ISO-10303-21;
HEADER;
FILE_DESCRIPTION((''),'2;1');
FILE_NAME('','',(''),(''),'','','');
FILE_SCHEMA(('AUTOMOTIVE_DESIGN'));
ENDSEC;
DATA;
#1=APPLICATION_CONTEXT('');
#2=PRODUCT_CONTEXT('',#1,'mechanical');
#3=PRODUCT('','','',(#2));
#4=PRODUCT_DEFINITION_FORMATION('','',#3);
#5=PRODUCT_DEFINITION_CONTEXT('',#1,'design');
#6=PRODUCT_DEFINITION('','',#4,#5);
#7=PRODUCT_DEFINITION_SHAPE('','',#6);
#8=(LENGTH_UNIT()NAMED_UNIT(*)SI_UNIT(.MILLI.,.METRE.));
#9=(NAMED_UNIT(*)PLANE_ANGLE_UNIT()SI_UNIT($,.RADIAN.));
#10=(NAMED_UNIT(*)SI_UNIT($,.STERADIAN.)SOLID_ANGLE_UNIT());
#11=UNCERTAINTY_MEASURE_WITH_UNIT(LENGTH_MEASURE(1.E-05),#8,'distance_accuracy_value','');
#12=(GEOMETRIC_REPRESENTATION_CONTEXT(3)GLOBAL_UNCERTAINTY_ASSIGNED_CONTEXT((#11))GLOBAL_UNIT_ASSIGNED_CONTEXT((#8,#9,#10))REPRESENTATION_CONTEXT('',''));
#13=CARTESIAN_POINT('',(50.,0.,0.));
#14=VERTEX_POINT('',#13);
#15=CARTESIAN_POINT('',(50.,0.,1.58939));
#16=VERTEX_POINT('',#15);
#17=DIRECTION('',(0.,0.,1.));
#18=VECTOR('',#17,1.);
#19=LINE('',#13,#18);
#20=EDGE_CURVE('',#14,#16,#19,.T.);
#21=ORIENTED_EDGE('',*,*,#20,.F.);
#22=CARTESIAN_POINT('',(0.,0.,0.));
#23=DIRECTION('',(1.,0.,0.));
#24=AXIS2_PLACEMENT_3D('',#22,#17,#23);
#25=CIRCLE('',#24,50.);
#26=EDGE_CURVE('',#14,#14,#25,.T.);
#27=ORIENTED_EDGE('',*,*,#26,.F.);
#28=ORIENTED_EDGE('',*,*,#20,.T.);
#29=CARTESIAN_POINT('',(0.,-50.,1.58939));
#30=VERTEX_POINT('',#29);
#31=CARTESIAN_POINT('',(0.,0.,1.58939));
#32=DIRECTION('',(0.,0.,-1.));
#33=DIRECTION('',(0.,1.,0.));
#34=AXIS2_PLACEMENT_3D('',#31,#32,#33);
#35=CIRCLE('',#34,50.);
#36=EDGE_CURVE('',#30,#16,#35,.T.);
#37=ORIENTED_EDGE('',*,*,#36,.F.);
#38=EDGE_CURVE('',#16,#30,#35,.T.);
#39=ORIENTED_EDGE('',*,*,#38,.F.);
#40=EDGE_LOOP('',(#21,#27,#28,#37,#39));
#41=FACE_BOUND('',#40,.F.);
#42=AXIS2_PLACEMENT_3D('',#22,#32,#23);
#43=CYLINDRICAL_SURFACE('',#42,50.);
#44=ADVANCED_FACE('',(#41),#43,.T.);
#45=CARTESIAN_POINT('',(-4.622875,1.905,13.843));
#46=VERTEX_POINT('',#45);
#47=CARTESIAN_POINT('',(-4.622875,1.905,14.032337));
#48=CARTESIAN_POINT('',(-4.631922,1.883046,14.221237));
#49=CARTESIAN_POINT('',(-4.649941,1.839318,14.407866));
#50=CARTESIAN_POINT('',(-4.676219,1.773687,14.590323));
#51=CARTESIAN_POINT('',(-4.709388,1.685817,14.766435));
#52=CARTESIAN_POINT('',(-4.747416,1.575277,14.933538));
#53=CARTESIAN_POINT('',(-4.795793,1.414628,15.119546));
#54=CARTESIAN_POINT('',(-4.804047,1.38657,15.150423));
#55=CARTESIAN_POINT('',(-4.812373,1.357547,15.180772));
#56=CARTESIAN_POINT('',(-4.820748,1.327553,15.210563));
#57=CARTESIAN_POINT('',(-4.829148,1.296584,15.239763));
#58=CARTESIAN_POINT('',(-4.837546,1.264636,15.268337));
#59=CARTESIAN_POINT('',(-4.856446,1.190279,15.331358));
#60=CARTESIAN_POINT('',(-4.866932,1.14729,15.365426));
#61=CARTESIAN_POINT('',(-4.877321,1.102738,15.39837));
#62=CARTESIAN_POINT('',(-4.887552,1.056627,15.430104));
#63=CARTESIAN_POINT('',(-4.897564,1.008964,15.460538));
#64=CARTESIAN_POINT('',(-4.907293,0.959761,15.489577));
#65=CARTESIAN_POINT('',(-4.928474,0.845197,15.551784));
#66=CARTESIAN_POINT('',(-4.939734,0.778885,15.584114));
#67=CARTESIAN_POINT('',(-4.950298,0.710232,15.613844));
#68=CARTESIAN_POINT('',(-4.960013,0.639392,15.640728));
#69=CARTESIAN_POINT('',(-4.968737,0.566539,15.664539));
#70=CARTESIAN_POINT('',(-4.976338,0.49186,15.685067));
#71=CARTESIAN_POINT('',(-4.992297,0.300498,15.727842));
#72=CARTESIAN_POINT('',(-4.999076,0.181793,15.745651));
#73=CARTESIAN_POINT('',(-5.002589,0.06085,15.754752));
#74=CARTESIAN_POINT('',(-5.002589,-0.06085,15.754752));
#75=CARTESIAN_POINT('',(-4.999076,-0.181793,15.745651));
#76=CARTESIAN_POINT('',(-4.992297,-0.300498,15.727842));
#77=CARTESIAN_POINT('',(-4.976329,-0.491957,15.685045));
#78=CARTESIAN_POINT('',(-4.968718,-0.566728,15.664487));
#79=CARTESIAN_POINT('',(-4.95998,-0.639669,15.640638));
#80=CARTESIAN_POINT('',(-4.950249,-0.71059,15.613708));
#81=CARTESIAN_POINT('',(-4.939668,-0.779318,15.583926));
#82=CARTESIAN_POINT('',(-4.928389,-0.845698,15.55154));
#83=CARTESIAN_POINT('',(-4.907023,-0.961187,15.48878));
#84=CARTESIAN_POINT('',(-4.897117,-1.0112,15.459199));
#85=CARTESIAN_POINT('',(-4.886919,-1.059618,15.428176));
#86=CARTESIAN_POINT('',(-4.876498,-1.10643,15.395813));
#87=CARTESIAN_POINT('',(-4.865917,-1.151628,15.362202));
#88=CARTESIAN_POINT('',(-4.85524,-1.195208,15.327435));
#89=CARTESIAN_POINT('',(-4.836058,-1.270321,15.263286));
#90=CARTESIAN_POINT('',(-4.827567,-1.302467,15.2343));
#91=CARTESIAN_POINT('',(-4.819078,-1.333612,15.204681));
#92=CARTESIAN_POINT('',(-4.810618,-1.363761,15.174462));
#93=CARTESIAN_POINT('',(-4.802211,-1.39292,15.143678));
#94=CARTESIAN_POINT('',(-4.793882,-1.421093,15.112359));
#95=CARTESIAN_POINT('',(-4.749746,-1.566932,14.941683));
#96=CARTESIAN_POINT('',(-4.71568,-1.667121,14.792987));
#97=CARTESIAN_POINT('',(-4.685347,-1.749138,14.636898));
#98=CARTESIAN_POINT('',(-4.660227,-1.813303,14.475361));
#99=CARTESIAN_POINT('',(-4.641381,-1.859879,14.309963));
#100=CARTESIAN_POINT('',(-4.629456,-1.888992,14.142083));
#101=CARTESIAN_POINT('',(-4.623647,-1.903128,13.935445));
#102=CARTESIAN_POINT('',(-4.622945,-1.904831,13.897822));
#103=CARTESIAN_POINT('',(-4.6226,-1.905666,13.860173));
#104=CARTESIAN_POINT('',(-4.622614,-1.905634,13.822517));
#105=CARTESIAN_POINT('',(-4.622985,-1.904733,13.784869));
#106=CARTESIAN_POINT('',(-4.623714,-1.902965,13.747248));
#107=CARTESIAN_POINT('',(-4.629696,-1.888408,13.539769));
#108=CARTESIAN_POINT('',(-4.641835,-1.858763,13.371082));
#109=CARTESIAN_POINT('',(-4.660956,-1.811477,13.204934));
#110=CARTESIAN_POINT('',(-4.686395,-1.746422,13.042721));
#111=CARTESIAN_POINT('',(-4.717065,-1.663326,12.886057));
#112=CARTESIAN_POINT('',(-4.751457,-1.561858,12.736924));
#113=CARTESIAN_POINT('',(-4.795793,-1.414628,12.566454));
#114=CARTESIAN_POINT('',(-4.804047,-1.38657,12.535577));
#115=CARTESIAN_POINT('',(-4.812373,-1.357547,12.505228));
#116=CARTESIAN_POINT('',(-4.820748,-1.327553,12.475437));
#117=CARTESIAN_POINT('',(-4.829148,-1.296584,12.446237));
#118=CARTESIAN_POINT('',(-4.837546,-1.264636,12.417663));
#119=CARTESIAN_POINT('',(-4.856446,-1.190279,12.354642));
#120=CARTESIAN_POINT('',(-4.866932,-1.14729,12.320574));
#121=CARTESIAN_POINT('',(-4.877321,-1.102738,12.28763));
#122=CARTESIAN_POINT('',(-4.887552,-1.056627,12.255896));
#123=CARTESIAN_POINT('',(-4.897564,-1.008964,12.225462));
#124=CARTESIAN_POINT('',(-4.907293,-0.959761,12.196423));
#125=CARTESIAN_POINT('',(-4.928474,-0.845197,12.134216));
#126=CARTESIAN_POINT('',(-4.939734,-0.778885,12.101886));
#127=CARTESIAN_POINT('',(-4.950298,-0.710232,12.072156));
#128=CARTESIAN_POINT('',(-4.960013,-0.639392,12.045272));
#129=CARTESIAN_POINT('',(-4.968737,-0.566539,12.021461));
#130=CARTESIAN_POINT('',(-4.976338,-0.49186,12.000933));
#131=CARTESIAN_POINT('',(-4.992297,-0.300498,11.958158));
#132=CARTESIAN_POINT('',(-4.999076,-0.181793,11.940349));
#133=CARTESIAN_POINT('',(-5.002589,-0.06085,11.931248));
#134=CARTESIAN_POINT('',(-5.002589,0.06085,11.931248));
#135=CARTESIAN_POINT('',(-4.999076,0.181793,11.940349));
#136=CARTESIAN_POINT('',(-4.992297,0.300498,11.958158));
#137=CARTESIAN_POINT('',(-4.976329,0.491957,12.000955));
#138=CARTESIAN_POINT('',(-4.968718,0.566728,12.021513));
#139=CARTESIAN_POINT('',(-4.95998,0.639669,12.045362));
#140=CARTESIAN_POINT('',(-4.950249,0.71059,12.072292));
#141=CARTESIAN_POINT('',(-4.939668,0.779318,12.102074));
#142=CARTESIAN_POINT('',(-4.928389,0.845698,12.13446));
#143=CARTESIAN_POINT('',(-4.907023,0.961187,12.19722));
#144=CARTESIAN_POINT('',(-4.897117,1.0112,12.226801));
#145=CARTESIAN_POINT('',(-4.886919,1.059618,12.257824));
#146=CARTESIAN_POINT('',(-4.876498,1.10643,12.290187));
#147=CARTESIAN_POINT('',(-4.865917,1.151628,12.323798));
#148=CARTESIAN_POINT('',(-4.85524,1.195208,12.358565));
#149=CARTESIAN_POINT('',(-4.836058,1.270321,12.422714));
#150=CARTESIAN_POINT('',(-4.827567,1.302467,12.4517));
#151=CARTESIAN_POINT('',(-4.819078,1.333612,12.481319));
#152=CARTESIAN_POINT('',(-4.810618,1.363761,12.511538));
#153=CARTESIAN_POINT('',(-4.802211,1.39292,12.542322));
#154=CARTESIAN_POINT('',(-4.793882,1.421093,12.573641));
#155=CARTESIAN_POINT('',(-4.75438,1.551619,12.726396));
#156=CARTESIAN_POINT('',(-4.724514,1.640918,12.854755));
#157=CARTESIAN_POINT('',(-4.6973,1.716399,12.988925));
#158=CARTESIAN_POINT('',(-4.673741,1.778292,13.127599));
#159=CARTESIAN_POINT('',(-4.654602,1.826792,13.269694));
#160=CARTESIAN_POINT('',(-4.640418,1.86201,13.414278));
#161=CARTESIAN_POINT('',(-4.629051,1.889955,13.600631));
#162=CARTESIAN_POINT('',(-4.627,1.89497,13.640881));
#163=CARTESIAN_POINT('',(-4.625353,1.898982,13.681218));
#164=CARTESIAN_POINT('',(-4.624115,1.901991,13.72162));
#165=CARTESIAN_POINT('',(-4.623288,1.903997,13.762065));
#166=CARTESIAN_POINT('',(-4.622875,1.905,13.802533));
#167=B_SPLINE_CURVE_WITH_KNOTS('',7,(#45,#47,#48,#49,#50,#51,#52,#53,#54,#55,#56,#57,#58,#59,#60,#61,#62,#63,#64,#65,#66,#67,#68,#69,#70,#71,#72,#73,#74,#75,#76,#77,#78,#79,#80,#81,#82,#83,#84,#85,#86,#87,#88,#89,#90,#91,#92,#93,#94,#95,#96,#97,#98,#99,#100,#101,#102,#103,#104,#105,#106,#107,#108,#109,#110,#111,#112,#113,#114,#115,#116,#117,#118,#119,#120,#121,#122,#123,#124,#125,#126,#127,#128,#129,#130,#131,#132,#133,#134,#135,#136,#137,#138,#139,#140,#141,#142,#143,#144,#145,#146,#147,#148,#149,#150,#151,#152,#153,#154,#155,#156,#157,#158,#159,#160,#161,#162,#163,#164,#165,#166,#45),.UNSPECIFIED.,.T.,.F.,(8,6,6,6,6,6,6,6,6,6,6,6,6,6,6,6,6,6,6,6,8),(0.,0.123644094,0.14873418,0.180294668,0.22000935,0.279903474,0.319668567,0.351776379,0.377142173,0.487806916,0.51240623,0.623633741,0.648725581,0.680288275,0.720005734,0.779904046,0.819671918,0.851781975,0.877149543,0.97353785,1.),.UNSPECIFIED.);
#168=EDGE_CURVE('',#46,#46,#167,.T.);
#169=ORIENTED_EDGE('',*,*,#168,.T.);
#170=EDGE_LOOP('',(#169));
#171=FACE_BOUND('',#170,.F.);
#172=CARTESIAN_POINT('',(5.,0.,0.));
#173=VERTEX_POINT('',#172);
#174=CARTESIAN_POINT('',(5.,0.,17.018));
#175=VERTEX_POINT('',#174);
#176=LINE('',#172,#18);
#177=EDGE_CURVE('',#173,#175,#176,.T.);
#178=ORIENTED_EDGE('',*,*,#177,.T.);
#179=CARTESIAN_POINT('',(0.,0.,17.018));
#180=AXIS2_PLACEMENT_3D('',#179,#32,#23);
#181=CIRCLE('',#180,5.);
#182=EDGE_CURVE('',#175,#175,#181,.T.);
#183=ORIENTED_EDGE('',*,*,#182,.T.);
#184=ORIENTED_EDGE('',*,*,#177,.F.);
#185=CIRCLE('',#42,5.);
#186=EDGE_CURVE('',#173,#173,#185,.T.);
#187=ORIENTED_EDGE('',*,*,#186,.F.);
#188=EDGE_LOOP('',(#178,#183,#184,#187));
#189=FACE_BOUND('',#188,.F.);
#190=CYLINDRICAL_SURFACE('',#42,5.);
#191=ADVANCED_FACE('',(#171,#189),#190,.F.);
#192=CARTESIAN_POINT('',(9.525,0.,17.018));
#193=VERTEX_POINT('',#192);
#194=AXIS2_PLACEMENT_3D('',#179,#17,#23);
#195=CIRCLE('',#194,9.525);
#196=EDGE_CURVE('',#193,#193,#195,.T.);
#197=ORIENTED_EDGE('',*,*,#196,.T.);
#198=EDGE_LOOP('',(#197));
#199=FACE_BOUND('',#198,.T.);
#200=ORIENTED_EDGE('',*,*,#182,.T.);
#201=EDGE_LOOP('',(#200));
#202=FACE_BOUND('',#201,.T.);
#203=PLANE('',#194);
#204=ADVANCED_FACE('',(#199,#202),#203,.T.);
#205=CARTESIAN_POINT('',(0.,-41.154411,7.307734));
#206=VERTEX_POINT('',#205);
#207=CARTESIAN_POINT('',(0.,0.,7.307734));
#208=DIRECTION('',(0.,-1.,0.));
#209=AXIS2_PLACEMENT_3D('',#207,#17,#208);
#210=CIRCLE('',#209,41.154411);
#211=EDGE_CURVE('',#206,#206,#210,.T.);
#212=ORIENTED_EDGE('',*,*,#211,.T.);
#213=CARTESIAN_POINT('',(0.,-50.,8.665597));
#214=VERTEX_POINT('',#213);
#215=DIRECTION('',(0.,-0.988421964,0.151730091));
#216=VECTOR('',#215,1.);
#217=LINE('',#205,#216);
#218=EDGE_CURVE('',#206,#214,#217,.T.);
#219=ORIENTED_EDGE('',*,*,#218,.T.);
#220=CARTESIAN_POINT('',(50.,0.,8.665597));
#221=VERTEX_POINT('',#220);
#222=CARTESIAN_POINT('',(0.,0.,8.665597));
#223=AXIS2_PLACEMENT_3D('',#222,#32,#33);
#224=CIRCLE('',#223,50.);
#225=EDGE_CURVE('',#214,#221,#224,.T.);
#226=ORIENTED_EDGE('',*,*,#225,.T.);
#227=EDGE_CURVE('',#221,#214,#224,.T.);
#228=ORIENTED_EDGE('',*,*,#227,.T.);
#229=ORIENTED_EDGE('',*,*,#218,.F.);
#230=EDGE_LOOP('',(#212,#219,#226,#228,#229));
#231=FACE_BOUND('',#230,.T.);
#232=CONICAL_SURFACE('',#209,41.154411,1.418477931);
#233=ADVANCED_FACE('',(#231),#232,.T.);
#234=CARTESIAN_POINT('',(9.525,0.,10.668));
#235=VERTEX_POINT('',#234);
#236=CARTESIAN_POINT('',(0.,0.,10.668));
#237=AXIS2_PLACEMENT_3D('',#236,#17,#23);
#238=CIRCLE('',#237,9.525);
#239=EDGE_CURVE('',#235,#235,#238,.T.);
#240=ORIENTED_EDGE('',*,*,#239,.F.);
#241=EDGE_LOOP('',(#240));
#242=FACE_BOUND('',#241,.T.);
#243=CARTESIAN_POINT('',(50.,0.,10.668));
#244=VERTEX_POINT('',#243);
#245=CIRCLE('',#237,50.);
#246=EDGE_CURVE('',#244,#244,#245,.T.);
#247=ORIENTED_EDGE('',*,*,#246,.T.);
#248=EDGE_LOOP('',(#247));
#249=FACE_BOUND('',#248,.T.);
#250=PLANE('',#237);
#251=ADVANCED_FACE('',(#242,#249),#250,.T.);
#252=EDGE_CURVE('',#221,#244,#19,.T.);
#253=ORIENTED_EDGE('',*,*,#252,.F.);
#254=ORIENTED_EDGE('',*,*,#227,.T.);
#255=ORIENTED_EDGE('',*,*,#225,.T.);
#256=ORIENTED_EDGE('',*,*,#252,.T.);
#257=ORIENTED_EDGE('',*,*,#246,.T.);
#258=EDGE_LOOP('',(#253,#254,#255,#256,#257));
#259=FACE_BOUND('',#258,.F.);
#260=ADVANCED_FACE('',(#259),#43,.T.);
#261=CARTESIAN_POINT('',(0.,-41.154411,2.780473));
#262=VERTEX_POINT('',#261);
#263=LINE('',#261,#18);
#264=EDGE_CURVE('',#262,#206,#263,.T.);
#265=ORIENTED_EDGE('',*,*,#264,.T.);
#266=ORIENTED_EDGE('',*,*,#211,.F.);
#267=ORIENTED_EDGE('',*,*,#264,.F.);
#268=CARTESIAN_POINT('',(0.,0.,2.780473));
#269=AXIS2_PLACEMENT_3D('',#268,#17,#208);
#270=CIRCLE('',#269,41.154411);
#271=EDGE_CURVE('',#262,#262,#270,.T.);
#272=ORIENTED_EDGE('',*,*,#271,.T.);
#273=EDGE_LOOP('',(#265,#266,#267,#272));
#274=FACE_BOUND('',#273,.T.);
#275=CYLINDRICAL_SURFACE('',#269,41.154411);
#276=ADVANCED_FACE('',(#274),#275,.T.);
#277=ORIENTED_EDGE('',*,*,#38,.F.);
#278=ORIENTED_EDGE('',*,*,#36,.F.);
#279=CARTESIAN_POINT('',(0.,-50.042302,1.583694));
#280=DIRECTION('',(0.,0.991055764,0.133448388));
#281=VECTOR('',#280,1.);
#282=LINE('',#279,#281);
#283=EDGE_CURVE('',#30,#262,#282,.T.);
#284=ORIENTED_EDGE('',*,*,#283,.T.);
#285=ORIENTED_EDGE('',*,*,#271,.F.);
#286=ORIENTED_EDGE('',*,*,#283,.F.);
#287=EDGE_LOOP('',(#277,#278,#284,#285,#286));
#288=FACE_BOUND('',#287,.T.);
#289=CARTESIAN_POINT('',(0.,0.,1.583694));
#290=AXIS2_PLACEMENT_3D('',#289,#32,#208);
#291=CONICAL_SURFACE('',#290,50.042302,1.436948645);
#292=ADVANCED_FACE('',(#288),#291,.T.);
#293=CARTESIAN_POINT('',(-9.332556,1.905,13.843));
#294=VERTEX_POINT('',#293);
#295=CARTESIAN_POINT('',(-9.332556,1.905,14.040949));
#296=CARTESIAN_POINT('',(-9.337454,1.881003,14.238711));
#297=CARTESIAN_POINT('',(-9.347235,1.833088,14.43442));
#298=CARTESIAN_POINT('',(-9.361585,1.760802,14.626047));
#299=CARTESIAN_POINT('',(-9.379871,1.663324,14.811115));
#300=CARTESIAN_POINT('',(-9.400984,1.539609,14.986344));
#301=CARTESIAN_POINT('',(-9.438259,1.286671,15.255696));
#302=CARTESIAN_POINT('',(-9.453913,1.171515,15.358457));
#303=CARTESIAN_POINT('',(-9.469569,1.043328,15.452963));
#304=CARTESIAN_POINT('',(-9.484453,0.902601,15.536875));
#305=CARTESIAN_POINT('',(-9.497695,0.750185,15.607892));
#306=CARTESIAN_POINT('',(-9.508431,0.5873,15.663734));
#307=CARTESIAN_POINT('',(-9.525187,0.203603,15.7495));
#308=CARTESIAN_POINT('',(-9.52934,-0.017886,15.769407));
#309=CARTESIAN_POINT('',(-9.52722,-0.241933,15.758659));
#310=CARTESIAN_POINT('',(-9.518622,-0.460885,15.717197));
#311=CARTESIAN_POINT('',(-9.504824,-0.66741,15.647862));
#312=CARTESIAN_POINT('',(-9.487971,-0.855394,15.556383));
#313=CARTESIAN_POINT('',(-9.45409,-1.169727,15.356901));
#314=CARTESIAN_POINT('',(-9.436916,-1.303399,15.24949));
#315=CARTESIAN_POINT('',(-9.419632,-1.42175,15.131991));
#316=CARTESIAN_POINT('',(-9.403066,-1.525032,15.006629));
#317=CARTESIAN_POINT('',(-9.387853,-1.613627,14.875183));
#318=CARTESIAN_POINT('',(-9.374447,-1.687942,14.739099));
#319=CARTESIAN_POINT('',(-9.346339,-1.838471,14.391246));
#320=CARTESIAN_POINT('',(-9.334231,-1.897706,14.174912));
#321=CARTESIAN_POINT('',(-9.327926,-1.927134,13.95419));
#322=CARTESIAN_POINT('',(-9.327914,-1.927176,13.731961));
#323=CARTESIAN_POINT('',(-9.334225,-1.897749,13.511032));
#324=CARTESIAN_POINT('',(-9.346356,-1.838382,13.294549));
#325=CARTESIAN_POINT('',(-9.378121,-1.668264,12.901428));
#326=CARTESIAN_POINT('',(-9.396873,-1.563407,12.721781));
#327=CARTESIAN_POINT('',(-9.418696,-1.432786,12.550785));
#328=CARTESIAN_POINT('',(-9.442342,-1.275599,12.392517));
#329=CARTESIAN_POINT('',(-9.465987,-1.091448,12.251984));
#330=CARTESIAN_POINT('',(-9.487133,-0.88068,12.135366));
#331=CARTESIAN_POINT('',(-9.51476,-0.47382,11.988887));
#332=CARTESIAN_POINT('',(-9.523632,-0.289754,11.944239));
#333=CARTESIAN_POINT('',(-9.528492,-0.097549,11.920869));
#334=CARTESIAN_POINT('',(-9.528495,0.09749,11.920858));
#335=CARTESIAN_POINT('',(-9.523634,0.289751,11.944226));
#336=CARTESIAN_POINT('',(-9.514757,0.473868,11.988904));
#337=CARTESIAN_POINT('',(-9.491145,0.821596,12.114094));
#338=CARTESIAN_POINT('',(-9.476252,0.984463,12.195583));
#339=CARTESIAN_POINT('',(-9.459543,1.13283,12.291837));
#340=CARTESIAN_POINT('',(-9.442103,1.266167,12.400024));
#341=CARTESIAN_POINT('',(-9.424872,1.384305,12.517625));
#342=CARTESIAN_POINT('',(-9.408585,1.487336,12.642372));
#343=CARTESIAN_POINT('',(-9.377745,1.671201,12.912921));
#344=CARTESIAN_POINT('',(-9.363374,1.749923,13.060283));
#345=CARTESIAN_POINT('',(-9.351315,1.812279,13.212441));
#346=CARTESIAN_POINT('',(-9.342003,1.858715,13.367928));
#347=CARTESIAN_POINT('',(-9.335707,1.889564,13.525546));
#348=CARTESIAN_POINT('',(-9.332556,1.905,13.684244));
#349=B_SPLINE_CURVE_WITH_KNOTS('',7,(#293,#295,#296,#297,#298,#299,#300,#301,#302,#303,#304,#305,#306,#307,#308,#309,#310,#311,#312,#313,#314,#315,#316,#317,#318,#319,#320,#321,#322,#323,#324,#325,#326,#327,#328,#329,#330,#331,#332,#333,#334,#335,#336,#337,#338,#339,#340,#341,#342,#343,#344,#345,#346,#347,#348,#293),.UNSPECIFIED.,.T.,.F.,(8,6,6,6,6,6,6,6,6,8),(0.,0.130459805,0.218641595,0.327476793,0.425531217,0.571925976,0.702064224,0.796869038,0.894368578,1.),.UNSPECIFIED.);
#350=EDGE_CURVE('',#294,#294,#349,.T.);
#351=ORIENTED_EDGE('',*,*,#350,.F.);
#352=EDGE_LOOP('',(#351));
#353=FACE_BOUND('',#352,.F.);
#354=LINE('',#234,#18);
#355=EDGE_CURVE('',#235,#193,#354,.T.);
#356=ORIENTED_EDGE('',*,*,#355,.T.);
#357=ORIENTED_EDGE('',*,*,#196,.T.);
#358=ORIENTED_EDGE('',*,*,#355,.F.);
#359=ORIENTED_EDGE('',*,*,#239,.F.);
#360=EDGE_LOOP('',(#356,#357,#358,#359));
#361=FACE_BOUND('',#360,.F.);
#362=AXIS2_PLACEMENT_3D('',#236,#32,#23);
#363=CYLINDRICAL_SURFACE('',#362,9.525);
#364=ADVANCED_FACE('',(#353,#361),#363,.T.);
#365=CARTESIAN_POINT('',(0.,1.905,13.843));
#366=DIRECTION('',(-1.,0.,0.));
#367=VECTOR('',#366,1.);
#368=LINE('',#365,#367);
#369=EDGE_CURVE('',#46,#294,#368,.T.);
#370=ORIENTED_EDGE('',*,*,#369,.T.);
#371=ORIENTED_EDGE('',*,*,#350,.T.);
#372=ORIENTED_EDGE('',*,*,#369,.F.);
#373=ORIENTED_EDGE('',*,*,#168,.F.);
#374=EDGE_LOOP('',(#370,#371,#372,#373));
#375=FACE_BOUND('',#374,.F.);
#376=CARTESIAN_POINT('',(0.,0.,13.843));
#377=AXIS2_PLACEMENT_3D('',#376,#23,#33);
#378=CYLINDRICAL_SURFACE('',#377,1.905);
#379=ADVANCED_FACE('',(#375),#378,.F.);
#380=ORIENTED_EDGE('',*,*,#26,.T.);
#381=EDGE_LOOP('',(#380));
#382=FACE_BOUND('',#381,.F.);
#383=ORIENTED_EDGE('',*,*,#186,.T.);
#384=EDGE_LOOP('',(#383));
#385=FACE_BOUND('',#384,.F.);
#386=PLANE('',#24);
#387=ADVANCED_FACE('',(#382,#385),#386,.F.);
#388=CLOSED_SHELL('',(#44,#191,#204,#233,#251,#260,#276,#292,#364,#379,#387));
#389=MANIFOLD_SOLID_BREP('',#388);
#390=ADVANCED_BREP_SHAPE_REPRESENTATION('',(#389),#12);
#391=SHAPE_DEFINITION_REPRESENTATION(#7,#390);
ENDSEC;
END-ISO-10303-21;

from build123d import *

# Parameters (mm, degrees)
F0_R     = 50
F1_DEPTH = 10.668
F2_R     = 9.525
F3_DEPTH = 6.35
F4_R     = 1.905
F5_DEPTH = 25.4
F6_R     = 5
F7_DEPTH = 101.6


with BuildPart() as f1:
    # F0 (on Top) → F1 (new body)
    with BuildSketch(Plane.XY):
        Circle(F0_R)
    extrude(amount=F1_DEPTH)

    # F2 (on face) → F3 (join)
    with BuildSketch(Plane.XY.offset(10.668)):
        Circle(F2_R)
    extrude(amount=F3_DEPTH)

    # F4 (on Right) → F5 (cut)
    with BuildSketch(Plane.YZ):
        with Locations((0, 13.843)):
            Circle(F4_R)
    extrude(amount=-F5_DEPTH, mode=Mode.SUBTRACT)

    # F6 (on face) → F7 (cut)
    with BuildSketch(Plane(origin=(0, 0, 0), x_dir=(1, 0, 0), z_dir=(0, 0, -1))):
        Circle(F6_R)
    extrude(amount=-F7_DEPTH, mode=Mode.SUBTRACT)

    # F8 (on Right) → F9 (revolve, cut)
    with BuildSketch(Plane.YZ):
        with BuildLine():
            Line((-50.066398, 8.67579), (-50.066398, 7.502463))
            ThreePointArc((-50.066398, 7.502463), (-51.774357, 5.118554), (-50.042302, 2.752094))
            Line((-50.042302, 2.752094), (-50.042302, 1.583694))
            Line((-50.042302, 1.583694), (-41.154411, 2.780473))
            Line((-41.154411, 2.780473), (-41.154411, 7.307734))
            Line((-41.154411, 7.307734), (-50.066398, 8.67579))
        make_face()
    revolve(axis=Axis((0, 0, 17.018), (0, 0, 1)), mode=Mode.SUBTRACT)


solid = f1.part
